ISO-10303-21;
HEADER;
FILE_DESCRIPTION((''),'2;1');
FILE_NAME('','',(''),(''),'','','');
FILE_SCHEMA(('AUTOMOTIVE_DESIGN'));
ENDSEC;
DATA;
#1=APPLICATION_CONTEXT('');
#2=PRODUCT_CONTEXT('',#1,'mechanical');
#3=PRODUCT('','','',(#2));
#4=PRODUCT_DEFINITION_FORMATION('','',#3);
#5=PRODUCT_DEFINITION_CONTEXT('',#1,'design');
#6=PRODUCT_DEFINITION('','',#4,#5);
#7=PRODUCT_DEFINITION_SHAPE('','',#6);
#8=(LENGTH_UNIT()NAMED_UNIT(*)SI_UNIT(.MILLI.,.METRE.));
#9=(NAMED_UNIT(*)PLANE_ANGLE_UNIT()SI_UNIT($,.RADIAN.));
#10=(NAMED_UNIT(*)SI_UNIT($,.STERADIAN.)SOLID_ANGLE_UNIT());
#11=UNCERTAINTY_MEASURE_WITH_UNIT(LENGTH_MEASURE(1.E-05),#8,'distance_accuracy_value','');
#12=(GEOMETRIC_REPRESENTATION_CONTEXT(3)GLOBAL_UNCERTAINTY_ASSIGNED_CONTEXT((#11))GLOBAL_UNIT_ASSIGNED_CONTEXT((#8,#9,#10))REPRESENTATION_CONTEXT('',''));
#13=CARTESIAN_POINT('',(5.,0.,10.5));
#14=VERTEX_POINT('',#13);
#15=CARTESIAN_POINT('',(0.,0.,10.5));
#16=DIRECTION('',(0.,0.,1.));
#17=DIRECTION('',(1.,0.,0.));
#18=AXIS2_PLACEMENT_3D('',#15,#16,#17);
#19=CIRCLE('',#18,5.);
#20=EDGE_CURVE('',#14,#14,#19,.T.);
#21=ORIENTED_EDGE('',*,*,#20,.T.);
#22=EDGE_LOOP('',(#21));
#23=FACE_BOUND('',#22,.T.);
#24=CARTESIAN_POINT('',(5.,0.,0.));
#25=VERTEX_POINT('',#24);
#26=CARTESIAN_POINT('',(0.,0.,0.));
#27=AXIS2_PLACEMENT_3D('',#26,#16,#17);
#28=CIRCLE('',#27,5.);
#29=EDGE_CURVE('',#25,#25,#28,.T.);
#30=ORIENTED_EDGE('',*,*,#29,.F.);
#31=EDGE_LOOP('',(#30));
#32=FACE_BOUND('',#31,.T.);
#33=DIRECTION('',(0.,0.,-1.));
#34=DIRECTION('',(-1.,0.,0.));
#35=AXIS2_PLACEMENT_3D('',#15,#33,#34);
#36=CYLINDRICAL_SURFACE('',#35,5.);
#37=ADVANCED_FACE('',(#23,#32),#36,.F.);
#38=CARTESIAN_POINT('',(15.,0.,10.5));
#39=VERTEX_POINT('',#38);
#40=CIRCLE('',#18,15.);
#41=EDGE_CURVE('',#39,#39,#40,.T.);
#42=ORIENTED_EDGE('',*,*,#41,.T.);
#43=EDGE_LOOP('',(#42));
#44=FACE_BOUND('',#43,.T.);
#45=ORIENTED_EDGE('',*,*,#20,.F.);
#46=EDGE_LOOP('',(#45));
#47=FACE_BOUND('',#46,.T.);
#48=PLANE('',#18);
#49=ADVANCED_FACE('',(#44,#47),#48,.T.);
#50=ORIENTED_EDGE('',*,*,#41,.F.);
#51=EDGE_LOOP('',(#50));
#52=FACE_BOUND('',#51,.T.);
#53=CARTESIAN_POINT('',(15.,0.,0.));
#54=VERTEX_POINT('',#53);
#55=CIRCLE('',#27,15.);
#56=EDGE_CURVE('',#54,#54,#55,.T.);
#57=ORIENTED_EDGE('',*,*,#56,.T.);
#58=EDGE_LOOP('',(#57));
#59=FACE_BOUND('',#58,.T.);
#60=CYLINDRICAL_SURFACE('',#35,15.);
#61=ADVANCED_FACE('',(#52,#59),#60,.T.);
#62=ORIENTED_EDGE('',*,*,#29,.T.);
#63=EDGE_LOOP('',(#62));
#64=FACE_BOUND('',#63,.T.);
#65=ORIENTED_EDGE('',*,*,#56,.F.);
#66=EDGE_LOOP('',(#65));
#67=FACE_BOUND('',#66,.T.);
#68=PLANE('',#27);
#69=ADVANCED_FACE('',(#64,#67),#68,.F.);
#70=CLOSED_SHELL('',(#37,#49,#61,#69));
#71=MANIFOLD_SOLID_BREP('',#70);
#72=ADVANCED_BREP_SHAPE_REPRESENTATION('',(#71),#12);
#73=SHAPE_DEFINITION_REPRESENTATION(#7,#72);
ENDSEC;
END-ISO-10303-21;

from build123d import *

# Parameters (mm, degrees)
SKETCH_1_R      = 15
SKETCH_1_R_2    = 5
EXTRUDE_1_DEPTH = 10.5


with BuildPart() as part:
    # 草图1 → 凸台-拉伸1 (new body)
    with BuildSketch(Plane.XY):
        Circle(SKETCH_1_R)
        Circle(SKETCH_1_R_2, mode=Mode.SUBTRACT)
    extrude(amount=EXTRUDE_1_DEPTH)


solid = part.part
